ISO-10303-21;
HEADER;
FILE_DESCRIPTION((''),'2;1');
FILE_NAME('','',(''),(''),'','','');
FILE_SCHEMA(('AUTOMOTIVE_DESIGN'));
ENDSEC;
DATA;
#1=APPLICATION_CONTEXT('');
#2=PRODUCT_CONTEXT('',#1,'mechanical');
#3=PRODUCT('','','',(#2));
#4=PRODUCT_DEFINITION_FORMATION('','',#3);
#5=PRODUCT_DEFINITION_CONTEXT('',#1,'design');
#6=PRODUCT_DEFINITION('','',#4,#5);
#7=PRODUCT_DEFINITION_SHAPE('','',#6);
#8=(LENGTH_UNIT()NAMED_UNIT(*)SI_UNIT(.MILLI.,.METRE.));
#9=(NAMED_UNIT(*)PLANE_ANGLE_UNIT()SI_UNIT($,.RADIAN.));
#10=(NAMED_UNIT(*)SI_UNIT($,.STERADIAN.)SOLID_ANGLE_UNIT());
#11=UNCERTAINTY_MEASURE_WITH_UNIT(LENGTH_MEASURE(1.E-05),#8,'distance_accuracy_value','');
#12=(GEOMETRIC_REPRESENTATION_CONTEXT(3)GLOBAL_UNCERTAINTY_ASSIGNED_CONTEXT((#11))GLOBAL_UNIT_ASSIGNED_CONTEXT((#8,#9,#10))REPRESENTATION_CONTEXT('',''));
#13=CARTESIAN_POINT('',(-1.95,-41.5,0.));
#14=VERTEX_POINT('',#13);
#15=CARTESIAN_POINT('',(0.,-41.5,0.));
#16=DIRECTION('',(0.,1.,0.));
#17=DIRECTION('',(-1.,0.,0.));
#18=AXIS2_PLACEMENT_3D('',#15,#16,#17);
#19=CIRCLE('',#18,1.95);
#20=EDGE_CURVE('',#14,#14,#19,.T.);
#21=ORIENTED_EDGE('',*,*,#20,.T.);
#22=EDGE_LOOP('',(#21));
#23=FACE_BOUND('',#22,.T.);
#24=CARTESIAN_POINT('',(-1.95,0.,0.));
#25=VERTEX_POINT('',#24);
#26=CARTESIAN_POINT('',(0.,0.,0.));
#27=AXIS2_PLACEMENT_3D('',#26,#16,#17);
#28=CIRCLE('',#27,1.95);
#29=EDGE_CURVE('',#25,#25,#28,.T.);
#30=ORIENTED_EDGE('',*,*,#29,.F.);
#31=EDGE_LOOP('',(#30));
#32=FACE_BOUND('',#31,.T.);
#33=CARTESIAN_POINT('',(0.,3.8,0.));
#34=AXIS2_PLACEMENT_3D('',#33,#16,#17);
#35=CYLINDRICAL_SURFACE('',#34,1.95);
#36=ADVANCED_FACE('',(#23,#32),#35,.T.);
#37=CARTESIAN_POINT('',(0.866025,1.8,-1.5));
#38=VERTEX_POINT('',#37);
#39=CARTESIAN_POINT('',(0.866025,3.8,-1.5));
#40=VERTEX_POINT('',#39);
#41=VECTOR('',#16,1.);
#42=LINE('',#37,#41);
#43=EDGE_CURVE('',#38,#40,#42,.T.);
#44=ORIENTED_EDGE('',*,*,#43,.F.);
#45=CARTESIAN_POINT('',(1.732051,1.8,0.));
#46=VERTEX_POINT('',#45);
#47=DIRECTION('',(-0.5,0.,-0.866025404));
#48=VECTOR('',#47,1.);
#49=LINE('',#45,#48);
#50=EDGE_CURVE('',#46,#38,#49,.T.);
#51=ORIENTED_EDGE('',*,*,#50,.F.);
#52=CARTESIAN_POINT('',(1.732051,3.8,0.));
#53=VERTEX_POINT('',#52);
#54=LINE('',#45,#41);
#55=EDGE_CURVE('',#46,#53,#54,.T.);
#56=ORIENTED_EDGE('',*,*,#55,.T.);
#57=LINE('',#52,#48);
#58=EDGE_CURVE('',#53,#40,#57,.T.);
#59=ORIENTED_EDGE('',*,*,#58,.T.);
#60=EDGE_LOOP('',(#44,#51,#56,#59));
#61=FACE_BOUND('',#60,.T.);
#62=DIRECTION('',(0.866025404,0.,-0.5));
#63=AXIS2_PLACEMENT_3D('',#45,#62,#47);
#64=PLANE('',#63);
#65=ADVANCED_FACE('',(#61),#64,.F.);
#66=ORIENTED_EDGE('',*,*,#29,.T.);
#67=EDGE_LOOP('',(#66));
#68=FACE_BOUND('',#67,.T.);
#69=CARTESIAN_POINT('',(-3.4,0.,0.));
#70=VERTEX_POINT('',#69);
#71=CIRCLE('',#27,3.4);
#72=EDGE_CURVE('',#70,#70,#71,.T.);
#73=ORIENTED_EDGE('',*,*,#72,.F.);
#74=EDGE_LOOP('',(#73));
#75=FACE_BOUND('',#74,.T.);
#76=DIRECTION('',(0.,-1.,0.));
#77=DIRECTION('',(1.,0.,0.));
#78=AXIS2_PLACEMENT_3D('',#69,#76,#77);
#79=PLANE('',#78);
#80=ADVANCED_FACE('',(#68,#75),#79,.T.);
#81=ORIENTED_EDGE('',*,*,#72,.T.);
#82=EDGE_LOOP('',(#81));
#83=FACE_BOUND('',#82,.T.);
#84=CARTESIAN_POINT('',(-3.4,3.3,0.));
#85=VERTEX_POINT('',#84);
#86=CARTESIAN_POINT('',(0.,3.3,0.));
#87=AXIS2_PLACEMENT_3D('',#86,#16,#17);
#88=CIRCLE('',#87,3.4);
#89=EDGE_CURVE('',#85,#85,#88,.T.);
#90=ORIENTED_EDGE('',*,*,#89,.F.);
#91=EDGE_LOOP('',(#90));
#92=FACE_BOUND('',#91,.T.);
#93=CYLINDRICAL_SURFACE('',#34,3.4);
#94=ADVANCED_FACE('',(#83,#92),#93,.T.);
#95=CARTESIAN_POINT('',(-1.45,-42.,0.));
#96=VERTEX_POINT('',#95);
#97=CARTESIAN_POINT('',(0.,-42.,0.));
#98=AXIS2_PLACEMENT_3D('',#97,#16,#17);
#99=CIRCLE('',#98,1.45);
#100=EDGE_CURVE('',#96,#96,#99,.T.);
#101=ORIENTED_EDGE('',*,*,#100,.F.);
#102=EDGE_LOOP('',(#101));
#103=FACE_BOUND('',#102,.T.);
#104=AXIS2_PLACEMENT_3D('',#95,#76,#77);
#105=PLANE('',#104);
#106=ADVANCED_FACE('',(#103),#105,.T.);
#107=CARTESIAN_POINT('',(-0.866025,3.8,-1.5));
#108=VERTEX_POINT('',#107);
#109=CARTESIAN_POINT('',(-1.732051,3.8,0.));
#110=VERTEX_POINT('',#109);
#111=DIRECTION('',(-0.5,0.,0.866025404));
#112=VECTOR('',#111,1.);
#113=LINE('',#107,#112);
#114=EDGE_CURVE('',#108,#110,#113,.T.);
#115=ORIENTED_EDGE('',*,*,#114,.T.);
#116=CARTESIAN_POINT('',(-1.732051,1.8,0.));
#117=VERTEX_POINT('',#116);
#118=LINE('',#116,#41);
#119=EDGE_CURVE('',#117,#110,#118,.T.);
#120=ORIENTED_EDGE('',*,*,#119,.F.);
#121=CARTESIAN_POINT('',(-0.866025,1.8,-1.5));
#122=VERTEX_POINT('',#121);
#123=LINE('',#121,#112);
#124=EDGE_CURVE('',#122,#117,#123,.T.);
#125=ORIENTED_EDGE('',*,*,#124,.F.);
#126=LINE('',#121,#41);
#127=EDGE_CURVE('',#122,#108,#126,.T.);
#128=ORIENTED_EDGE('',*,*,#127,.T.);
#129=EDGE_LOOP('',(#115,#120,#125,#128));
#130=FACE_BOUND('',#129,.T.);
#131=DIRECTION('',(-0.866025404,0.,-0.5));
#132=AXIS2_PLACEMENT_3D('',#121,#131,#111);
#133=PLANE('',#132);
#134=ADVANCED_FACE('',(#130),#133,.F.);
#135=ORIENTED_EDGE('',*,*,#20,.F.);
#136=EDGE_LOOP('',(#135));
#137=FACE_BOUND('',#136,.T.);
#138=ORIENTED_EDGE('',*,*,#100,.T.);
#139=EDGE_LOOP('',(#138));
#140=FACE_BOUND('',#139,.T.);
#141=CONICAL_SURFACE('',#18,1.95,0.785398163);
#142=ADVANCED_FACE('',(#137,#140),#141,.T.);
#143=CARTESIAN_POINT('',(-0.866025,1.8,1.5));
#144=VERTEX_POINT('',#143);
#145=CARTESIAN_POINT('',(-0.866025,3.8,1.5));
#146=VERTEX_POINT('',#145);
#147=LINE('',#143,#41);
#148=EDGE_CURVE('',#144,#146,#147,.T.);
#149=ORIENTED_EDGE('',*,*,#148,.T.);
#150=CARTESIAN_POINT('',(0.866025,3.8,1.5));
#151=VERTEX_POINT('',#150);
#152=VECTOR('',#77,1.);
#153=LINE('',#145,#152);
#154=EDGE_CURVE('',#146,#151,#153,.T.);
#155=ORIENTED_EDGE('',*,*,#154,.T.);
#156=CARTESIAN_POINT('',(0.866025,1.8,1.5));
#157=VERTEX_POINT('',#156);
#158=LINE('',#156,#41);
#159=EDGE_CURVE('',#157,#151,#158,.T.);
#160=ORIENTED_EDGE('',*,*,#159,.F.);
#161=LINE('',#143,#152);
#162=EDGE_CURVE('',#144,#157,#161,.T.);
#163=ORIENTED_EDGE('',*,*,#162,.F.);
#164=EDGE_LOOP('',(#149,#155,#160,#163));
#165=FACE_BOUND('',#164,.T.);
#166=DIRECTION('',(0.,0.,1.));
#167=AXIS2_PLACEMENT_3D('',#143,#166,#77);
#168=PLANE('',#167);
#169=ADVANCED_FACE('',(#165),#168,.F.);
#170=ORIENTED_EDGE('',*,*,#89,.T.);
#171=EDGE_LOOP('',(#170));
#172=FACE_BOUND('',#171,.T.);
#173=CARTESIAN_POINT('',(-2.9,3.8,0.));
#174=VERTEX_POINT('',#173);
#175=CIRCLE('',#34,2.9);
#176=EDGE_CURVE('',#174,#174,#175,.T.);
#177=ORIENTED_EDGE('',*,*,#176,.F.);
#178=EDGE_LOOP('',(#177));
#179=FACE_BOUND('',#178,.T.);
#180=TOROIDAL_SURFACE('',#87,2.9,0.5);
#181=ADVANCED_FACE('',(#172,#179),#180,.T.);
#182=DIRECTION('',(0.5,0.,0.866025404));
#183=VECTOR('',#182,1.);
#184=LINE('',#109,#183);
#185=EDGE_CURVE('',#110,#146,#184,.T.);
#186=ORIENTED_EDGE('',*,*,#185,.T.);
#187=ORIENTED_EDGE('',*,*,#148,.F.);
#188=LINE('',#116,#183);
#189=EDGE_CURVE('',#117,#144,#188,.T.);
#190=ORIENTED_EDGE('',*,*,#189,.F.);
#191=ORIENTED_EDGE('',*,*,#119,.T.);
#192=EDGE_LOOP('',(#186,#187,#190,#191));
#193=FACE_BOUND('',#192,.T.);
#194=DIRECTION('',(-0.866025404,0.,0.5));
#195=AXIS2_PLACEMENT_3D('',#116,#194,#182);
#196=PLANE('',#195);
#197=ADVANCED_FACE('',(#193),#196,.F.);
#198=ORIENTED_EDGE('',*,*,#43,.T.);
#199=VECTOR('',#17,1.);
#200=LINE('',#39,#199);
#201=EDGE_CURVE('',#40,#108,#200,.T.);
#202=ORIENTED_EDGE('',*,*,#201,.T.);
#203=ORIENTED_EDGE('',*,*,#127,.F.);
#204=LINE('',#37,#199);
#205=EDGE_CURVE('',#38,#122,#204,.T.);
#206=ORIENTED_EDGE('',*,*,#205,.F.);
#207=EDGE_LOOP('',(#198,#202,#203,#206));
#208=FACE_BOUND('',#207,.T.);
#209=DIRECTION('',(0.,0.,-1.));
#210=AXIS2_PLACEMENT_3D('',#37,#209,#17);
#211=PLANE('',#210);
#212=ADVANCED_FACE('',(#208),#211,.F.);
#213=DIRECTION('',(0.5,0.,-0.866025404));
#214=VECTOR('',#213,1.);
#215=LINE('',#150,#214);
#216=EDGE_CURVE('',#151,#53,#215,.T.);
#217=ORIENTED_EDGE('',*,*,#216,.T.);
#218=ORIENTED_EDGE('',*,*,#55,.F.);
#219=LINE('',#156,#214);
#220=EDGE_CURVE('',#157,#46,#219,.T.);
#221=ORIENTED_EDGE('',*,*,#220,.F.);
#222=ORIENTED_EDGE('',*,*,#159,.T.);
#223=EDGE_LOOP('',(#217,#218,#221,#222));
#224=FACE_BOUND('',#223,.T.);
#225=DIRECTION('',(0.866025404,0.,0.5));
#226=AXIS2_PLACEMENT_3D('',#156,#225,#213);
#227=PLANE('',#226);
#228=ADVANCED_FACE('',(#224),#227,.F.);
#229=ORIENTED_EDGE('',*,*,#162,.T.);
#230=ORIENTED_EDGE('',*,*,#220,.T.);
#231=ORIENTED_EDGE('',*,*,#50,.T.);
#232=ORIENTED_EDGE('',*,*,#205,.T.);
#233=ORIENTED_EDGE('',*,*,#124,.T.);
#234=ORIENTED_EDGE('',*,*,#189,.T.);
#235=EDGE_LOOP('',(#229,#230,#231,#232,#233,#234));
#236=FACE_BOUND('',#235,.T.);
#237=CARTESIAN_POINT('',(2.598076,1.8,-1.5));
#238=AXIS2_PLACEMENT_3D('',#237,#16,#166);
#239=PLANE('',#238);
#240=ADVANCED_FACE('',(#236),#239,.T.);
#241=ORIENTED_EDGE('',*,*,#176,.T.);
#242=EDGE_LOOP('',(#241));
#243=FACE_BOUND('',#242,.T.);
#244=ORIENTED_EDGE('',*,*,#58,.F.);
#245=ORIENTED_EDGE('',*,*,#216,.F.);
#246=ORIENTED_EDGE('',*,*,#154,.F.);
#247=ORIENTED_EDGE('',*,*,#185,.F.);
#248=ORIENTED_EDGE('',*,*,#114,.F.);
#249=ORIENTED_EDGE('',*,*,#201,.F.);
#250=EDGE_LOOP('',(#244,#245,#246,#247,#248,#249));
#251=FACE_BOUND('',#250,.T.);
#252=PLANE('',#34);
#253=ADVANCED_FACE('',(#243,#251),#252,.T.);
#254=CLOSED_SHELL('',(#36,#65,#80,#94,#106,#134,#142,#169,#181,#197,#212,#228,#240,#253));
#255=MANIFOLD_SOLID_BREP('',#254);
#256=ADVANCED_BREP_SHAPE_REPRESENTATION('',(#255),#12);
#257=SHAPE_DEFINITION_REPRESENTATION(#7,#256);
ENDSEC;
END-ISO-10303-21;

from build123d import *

# Parameters (mm, degrees)
ENL_V_MAT_EXTRU_1_DEPTH = 2


with BuildPart() as part:
    # Esquisse1 → Révolution1 (revolve)
    with BuildSketch(Plane.XY):
        with BuildLine():
            Line((0, 3.8), (-2.9, 3.8))
            ThreePointArc((-2.9, 3.8), (-3.253553391, 3.653553391), (-3.4, 3.3))
            Line((-3.4, 3.3), (-3.4, 0))
            Line((-3.4, 0), (-1.95, 0))
            Line((-1.95, 0), (-1.95, -41.5))
            Line((-1.95, -41.5), (-1.45, -42))
            Line((-1.45, -42), (0, -42))
            Line((0, -42), (0, 3.8))
        make_face()
    revolve(axis=Axis((0, 3.8, 0), (0, -1, 0)))

    # Esquisse2 → Enlèv. mat.-Extru.1 (cut)
    with BuildSketch(Plane(origin=(0, 3.8, 0), x_dir=(-1, 0, 0), z_dir=(0, 1, 0))):
        Polygon((-1.732050808, 0), (-0.866025404, -1.5), (0.866025404, -1.5), (1.732050808, 0), (0.866025404, 1.5), (-0.866025404, 1.5), align=None)
    extrude(amount=-ENL_V_MAT_EXTRU_1_DEPTH, mode=Mode.SUBTRACT)


solid = part.part
